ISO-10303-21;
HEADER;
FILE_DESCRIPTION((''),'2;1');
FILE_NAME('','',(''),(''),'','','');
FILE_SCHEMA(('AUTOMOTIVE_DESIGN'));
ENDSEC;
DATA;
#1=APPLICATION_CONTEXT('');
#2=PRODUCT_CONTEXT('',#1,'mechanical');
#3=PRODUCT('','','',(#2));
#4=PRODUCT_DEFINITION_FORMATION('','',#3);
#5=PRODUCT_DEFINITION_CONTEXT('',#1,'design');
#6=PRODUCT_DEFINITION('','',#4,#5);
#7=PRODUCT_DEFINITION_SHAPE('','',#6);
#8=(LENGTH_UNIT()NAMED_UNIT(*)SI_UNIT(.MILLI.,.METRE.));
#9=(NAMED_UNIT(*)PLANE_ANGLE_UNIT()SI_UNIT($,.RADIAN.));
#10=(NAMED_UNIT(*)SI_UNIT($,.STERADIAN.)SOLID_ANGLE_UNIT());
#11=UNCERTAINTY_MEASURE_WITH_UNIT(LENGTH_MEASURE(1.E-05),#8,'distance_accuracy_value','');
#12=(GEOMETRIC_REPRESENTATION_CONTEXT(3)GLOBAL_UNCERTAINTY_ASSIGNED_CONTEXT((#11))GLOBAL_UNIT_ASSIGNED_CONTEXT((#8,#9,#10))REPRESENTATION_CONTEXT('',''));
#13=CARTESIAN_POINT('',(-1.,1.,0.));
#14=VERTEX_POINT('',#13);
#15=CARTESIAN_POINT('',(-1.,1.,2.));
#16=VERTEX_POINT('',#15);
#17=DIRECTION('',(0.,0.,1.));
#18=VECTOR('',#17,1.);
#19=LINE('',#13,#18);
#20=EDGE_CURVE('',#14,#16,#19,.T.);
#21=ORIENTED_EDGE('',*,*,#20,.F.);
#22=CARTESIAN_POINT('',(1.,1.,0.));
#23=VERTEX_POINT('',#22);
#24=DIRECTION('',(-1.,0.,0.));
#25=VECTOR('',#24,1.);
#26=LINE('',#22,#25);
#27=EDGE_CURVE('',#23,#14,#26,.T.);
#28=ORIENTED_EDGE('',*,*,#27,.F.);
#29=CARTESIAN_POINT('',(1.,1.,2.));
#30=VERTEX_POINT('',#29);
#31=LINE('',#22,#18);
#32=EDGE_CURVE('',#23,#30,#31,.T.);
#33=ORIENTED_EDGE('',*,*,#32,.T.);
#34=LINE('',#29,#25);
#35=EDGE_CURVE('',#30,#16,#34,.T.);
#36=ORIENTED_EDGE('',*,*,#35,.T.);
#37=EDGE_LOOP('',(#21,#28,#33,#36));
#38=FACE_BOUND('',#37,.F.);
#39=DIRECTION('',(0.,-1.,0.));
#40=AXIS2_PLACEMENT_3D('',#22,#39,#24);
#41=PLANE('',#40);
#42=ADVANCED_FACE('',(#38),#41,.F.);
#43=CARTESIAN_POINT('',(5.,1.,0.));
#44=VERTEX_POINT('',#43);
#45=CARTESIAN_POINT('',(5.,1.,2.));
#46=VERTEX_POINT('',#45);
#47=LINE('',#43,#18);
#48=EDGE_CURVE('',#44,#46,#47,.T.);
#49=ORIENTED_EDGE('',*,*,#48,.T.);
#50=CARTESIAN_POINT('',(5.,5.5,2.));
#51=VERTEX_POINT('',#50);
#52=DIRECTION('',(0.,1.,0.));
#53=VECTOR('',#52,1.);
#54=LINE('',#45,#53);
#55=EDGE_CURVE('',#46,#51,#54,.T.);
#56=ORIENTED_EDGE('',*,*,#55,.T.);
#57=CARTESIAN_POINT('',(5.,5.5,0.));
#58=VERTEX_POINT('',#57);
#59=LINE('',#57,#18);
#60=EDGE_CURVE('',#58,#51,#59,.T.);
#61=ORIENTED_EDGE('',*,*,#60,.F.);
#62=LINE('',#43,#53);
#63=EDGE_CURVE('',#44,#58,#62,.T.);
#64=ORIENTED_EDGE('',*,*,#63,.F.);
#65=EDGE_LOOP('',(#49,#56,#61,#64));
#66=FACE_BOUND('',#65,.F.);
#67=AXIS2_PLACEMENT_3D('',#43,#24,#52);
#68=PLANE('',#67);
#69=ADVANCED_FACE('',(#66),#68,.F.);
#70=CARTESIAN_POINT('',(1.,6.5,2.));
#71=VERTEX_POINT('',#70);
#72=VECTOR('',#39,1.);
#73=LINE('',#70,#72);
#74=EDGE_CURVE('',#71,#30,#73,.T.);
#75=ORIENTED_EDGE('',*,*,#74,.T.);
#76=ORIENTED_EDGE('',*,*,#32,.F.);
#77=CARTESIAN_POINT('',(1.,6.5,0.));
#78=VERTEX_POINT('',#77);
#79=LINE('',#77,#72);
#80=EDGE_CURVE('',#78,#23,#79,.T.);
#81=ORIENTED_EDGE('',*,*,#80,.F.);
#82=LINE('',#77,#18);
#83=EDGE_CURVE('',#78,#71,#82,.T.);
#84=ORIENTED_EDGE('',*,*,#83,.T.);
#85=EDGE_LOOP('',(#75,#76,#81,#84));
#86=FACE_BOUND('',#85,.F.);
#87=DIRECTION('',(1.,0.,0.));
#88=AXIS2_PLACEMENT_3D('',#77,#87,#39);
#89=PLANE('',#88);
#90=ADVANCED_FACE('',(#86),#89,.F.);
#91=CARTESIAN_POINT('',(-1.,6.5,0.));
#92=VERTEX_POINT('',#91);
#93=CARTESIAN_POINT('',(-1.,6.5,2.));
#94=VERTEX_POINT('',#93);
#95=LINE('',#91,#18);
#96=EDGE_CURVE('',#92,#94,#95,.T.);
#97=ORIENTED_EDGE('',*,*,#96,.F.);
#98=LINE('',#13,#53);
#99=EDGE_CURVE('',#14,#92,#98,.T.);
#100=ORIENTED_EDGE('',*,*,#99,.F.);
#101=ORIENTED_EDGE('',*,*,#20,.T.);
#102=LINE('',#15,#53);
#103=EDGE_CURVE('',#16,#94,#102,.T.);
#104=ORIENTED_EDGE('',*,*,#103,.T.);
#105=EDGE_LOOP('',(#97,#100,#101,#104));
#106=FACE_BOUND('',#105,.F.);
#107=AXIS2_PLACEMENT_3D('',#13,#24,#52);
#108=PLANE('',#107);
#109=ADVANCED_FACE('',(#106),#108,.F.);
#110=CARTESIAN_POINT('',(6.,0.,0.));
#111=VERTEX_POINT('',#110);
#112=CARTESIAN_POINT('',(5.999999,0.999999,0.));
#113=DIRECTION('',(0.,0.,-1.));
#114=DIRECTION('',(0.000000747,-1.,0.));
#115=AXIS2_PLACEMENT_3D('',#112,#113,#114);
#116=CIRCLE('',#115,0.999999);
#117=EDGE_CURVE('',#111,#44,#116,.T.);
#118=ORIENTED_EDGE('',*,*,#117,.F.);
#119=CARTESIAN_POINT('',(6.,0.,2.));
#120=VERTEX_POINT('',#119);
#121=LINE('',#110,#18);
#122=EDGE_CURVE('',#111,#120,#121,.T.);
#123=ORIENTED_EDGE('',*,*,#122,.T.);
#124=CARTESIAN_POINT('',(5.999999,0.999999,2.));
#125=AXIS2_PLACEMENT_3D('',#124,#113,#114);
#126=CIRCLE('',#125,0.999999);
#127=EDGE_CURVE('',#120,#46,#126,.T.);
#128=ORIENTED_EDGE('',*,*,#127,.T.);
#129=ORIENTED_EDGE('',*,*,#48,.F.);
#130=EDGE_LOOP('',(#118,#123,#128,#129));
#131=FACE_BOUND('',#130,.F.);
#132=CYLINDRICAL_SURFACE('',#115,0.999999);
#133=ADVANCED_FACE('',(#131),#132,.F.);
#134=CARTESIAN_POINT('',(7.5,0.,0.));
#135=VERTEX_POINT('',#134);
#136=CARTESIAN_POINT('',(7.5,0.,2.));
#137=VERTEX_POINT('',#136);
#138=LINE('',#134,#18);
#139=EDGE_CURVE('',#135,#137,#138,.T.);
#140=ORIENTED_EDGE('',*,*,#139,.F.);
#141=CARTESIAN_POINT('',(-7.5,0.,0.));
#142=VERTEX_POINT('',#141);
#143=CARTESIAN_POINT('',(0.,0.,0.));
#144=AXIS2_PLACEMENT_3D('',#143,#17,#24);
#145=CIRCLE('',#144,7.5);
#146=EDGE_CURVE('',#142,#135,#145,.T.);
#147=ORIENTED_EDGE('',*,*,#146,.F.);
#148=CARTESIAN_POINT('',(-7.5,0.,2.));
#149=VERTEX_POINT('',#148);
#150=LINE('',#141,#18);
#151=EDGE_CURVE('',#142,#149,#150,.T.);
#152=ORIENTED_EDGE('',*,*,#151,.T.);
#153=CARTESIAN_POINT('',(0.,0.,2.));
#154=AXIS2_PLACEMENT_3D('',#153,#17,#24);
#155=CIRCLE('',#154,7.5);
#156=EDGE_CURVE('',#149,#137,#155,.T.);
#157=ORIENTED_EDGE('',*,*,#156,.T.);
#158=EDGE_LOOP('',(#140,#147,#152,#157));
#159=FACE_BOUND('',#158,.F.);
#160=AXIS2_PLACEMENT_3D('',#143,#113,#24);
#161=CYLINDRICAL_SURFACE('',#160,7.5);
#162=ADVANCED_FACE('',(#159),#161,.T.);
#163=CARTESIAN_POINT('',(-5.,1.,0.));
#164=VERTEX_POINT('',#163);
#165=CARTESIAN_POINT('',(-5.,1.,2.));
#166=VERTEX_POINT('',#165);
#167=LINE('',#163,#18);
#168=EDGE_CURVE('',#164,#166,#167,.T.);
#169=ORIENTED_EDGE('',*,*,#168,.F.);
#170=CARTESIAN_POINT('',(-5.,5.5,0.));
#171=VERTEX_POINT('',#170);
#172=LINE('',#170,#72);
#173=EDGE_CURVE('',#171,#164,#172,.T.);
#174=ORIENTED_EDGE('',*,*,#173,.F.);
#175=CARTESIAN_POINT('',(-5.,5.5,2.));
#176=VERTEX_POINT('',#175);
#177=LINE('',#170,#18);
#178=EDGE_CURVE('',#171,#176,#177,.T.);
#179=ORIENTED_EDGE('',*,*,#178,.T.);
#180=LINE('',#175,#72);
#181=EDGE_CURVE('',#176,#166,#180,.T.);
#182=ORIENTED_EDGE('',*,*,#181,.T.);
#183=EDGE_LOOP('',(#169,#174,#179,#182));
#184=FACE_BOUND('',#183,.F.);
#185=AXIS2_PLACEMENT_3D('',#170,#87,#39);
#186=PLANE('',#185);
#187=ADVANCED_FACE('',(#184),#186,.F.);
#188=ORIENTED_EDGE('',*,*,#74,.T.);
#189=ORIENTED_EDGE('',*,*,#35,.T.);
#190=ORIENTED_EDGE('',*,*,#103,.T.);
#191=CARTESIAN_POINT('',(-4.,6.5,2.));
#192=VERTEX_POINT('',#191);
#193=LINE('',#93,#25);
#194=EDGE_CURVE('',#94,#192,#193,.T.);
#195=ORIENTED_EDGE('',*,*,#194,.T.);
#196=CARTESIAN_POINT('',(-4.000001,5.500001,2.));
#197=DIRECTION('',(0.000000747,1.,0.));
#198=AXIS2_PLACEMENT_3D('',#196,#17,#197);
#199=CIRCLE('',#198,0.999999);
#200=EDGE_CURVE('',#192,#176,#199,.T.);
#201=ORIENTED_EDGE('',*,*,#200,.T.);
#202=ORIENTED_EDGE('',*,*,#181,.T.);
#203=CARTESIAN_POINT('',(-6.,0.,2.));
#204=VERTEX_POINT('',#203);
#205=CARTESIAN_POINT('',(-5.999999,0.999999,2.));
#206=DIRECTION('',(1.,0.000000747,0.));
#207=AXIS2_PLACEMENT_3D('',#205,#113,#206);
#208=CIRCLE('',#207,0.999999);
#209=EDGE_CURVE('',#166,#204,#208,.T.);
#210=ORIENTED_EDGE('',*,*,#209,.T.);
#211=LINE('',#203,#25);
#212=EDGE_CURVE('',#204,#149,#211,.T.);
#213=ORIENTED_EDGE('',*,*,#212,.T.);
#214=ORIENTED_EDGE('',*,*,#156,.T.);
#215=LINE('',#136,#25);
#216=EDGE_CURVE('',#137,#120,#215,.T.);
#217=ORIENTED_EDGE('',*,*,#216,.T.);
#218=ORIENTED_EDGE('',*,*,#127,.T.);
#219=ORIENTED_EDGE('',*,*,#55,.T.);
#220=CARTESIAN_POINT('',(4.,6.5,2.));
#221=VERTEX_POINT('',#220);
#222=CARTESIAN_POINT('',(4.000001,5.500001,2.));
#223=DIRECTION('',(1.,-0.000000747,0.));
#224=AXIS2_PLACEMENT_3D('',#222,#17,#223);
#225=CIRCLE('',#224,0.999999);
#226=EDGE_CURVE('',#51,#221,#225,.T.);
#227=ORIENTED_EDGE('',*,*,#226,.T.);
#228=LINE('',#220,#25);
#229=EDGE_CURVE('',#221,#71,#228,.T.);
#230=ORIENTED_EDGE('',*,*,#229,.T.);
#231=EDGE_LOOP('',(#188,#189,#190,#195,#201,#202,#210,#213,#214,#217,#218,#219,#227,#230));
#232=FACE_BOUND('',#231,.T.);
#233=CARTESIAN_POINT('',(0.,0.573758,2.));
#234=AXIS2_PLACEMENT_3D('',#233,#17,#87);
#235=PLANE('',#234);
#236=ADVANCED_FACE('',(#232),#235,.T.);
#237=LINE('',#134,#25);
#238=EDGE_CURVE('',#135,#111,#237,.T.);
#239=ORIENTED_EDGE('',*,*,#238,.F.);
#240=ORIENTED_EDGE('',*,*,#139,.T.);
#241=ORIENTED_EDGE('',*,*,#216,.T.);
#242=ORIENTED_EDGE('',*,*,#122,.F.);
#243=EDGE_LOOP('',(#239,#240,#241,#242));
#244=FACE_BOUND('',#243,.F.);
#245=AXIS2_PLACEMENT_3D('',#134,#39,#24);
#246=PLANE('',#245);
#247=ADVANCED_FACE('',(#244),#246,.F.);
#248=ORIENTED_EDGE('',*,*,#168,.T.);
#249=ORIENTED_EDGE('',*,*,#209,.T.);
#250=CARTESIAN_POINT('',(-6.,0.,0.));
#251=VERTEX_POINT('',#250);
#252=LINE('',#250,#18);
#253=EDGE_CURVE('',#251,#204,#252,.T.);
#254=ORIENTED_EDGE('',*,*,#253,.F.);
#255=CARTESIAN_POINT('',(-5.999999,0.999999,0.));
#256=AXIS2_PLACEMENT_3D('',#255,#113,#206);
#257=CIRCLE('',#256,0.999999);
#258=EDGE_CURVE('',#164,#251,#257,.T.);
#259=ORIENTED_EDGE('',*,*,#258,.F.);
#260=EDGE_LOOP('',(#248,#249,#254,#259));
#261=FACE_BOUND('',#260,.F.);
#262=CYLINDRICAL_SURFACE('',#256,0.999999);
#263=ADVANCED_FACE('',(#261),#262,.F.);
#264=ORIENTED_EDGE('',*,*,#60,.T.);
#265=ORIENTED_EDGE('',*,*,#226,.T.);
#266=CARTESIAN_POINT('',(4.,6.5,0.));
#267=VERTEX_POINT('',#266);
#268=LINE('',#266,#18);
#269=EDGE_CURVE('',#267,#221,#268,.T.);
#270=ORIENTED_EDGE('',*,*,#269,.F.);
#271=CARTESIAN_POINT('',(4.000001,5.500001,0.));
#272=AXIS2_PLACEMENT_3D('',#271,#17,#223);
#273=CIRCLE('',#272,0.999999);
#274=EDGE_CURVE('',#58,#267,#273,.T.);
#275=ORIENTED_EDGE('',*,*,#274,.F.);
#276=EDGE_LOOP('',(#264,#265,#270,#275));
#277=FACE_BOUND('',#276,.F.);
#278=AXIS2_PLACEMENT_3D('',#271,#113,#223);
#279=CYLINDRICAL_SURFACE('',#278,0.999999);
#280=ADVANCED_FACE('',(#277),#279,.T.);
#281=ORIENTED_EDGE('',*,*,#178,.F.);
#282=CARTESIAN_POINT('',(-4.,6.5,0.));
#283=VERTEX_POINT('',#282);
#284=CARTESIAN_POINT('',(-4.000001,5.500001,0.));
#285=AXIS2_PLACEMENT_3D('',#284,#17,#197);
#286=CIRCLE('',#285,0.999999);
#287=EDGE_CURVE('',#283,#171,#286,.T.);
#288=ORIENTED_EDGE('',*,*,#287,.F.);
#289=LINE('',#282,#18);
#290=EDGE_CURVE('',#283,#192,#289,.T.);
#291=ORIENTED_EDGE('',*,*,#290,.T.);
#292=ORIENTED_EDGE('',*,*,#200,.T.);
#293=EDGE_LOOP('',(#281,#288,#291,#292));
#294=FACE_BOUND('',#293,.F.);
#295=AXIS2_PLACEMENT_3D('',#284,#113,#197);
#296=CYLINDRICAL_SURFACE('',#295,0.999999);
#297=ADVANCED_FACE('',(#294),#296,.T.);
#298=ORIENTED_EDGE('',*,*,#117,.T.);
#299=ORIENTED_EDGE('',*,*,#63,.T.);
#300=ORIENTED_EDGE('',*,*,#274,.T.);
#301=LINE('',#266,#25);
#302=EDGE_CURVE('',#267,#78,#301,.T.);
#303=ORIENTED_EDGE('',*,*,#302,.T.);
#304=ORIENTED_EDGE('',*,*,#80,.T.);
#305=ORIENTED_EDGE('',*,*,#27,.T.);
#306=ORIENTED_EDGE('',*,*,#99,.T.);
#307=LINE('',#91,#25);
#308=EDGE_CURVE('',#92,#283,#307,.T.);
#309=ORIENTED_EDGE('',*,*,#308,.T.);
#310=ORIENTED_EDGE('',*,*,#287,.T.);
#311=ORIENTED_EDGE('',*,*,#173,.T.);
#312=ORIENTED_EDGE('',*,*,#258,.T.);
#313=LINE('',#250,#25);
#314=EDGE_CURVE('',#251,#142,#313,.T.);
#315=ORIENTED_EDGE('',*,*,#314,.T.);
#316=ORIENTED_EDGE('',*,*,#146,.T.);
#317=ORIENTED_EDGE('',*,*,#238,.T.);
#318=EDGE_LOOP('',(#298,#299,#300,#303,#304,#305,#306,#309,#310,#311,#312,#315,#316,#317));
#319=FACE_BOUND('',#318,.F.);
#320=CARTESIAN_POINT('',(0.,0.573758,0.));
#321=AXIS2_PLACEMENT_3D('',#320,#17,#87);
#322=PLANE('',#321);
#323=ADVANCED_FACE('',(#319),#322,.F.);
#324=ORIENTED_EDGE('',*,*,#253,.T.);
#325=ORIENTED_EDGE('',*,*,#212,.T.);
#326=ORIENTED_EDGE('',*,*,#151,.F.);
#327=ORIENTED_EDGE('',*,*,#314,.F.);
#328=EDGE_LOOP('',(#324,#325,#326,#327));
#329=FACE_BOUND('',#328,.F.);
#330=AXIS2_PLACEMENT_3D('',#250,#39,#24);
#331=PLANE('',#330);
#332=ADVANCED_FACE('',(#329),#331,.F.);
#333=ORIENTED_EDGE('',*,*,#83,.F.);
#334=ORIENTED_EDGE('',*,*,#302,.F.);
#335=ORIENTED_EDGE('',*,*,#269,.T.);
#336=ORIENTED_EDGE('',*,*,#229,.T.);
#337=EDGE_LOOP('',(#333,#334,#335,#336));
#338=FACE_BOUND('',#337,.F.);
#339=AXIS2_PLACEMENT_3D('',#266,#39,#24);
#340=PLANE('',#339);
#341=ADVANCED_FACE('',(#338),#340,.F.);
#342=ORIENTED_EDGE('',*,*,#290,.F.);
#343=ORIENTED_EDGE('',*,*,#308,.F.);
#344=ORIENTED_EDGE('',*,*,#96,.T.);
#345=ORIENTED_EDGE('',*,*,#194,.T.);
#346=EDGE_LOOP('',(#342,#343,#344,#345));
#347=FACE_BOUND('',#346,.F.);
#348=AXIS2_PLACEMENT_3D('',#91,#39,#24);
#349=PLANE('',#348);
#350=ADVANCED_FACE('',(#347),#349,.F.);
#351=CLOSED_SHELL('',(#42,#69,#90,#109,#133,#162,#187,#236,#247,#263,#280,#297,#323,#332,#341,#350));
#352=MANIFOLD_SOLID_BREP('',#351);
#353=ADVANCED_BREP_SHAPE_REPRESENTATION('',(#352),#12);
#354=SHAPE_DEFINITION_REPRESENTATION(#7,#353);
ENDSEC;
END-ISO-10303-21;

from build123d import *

# Parameters (mm, degrees)
F1_DEPTH = 2


with BuildPart() as f1:
    # F0 (on Top) → F1 (new body)
    with BuildSketch(Plane.XY):
        with BuildLine():
            Line((-6, 0), (-7.5, 0))
            ThreePointArc((-7.5, 0), (0, -7.5), (7.5, 0))
            Line((7.5, 0), (6, 0))
            ThreePointArc((6, 0), (5.292893, 0.292893), (5, 1))
            Line((5, 1), (5, 5.5))
            ThreePointArc((5, 5.5), (4.707107, 6.207107), (4, 6.5))
            Line((4, 6.5), (1, 6.5))
            Line((1, 6.5), (1, 1))
            Line((1, 1), (-1, 1))
            Line((-1, 1), (-1, 6.5))
            Line((-1, 6.5), (-4, 6.5))
            ThreePointArc((-4, 6.5), (-4.707107, 6.207107), (-5, 5.5))
            Line((-5, 5.5), (-5, 1))
            ThreePointArc((-5, 1), (-5.292893, 0.292893), (-6, 0))
        make_face()
    extrude(amount=F1_DEPTH)


solid = f1.part
